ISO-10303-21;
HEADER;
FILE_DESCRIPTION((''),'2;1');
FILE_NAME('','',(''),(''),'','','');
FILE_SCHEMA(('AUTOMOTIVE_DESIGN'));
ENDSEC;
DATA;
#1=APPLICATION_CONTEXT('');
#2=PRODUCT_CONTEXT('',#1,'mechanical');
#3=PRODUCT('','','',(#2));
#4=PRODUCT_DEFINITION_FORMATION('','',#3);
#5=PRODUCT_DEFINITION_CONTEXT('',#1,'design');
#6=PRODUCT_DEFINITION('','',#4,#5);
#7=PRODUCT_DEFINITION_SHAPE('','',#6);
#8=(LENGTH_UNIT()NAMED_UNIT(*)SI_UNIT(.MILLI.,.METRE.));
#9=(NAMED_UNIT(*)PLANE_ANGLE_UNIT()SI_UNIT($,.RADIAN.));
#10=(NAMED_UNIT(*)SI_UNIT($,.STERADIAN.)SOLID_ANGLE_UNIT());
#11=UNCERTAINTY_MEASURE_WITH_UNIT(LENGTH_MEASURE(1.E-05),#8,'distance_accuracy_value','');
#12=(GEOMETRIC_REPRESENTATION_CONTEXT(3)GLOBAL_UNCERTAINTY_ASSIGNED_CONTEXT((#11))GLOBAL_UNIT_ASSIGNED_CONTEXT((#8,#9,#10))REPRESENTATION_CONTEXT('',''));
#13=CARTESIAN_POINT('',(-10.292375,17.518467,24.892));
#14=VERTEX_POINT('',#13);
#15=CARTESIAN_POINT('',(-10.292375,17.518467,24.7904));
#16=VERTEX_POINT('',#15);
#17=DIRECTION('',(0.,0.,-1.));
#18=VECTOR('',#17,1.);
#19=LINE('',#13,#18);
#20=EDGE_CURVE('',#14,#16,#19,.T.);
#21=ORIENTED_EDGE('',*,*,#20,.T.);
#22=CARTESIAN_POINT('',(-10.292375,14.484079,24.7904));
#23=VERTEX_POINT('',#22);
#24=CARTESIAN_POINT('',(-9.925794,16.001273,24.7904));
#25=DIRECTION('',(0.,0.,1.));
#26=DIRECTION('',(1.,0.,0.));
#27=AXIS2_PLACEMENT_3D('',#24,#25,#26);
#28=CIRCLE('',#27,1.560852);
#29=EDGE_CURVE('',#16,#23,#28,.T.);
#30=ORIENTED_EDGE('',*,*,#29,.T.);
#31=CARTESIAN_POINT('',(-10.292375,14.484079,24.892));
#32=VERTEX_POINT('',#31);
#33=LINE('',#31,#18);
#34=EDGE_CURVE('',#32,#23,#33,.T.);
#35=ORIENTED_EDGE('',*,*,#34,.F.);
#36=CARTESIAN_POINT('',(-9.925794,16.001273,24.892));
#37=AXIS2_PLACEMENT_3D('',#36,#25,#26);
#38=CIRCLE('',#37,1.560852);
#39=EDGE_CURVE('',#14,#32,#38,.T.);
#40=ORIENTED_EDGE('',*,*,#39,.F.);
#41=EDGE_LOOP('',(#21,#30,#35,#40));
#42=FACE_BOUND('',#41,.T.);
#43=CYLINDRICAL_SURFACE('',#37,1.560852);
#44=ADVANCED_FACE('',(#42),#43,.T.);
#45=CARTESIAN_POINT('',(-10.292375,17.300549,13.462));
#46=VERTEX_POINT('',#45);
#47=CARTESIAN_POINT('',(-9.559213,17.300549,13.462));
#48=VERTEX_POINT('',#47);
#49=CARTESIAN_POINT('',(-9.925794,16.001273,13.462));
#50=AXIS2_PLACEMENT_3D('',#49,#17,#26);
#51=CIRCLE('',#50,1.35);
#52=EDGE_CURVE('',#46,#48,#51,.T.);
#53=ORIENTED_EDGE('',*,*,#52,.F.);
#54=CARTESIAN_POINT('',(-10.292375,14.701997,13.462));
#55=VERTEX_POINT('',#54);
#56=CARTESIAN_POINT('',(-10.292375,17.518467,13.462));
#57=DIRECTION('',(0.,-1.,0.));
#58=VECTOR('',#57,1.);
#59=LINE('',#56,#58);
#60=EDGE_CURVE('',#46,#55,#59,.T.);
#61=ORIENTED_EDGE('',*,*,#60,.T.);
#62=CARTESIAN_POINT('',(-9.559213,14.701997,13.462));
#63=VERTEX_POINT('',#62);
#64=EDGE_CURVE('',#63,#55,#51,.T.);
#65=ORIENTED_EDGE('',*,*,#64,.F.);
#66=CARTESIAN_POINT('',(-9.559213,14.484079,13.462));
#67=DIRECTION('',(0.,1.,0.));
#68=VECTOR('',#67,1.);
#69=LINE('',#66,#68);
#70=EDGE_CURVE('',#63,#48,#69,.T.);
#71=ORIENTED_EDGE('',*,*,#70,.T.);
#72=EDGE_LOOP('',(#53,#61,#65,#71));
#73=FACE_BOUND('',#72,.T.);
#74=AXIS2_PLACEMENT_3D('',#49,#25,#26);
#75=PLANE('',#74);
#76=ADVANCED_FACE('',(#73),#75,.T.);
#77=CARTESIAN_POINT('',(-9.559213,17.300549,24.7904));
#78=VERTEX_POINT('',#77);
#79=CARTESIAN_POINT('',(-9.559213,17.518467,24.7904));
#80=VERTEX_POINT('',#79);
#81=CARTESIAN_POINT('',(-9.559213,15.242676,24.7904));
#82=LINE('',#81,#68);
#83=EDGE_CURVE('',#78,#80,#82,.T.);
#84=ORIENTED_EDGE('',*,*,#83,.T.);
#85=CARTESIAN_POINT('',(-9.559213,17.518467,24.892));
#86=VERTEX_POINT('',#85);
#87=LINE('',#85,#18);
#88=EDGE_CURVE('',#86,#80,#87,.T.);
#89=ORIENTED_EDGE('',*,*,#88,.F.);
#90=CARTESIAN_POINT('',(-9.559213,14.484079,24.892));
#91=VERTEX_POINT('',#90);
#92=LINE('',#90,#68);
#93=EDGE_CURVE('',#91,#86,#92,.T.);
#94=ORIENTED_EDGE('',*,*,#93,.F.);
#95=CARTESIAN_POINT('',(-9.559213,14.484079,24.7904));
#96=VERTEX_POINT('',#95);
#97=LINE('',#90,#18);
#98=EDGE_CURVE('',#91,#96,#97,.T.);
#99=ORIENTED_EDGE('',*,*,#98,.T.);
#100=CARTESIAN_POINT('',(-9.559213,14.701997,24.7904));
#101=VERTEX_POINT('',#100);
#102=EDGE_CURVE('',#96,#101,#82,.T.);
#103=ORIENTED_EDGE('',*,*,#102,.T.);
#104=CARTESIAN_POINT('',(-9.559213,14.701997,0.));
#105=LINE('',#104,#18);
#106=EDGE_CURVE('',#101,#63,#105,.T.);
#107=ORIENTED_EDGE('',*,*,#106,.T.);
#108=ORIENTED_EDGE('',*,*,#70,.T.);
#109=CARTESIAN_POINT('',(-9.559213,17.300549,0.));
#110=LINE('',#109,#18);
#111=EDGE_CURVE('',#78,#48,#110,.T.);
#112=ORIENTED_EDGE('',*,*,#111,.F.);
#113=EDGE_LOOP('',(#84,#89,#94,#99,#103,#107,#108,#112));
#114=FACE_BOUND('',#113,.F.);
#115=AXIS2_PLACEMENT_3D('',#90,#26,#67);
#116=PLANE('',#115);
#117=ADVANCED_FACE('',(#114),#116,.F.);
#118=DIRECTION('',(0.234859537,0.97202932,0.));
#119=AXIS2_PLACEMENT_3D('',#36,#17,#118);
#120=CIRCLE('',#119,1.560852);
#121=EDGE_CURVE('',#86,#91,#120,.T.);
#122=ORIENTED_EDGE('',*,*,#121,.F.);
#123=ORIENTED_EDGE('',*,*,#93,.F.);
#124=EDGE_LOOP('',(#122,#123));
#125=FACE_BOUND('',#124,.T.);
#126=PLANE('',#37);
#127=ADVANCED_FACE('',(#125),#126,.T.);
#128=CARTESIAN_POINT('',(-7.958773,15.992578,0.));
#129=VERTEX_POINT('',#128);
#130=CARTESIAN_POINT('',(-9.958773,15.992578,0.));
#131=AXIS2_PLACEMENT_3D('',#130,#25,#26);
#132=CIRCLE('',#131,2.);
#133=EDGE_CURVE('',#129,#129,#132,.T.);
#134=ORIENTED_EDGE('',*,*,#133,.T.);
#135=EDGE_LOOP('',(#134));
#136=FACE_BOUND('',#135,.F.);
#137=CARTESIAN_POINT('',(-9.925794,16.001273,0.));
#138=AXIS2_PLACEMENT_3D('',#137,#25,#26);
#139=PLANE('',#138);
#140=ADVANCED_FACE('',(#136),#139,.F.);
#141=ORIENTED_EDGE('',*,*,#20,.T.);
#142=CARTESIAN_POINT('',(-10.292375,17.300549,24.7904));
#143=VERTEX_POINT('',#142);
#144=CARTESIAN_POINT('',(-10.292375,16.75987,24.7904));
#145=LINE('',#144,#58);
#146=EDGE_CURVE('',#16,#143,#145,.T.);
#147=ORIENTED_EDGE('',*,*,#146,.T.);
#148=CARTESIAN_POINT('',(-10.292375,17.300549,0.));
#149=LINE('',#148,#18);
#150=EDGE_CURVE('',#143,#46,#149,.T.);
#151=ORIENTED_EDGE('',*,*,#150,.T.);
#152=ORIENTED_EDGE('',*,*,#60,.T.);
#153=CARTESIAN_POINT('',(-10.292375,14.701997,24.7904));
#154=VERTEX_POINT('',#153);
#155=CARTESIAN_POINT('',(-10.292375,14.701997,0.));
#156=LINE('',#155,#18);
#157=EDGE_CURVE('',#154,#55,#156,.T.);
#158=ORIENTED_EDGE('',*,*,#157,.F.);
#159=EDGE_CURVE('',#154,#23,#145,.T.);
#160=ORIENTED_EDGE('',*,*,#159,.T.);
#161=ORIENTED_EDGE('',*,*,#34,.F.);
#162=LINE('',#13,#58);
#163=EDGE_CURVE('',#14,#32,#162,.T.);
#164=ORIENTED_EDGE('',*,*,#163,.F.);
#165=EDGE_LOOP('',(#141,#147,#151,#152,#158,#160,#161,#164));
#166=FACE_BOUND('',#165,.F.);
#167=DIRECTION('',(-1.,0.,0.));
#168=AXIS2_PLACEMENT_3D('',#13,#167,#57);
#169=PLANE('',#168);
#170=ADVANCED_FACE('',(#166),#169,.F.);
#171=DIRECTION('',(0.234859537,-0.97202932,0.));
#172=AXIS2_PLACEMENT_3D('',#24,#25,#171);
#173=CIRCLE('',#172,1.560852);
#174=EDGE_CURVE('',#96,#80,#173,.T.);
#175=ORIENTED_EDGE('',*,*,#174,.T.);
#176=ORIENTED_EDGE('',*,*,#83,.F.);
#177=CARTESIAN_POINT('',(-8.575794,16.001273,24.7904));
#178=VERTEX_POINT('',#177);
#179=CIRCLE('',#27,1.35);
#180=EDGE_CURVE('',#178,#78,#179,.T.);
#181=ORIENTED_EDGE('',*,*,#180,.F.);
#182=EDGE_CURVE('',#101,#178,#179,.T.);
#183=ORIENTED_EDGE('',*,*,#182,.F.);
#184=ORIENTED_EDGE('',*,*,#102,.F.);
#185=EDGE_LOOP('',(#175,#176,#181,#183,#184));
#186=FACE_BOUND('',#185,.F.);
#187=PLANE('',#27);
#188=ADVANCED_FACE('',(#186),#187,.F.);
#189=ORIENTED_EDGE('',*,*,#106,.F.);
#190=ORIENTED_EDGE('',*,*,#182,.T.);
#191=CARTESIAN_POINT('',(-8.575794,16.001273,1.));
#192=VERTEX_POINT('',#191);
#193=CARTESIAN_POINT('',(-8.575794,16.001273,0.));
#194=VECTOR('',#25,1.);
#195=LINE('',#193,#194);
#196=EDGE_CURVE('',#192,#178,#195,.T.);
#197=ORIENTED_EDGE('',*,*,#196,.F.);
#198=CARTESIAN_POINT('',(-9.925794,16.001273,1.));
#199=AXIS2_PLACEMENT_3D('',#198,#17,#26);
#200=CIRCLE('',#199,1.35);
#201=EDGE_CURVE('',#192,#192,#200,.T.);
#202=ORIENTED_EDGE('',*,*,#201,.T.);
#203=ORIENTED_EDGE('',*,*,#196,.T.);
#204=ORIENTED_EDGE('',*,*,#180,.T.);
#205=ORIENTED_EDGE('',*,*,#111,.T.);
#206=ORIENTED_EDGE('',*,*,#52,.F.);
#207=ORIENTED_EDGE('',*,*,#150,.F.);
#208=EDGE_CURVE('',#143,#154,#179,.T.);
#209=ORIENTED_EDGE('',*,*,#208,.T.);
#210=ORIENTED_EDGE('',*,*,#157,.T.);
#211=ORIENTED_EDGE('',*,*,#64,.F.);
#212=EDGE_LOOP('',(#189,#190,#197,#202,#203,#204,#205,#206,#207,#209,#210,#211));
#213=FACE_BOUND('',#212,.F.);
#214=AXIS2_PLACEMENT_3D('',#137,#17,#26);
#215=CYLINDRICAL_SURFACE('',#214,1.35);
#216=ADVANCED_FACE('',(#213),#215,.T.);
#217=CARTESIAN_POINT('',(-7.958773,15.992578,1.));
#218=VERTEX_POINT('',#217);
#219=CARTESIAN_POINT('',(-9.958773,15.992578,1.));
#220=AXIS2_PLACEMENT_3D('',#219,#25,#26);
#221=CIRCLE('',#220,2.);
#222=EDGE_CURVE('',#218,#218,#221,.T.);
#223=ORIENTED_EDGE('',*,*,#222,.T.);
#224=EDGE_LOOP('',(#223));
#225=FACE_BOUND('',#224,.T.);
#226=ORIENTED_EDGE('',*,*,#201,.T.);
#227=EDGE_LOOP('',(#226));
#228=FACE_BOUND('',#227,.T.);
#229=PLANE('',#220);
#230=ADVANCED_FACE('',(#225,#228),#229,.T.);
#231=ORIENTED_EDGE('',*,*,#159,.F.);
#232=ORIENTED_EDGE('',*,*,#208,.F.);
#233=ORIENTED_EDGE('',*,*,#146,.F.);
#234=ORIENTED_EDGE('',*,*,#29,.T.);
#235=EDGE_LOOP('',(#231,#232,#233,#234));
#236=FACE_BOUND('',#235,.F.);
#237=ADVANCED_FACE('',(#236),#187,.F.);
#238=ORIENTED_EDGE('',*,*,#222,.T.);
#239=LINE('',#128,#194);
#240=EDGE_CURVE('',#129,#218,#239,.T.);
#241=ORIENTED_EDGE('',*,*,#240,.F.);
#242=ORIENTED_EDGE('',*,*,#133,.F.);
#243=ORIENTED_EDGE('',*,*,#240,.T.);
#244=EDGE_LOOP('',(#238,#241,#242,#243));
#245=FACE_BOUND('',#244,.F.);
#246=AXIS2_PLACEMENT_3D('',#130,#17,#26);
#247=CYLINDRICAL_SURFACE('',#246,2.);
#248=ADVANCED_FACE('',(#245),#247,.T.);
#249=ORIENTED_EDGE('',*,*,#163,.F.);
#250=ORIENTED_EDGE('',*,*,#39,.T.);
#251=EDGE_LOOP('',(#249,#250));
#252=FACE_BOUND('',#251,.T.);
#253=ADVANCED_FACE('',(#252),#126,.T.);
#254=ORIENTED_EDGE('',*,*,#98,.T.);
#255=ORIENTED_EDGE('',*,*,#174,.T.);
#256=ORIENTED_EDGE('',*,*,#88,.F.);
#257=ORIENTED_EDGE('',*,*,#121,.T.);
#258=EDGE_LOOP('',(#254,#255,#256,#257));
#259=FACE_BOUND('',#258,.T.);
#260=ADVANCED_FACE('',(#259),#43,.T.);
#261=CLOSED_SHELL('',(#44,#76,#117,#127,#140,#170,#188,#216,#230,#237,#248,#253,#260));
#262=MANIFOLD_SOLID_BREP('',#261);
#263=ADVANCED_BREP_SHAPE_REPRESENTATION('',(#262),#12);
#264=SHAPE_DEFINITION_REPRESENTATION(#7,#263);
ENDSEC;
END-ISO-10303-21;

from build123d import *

# Parameters (mm, degrees)
F0_R     = 2
F1_DEPTH = 1
F2_R     = 1.35
F3_DEPTH = 24.892
F4_R     = 1.560852
F4_R_2   = 1.35
F5_DEPTH = 0.1016
F7_DEPTH = 11.43


with BuildPart() as f1:
    # F0 (on Top) → F1 (new body)
    with BuildSketch(Plane.XY):
        with Locations((-9.958773, 15.992578)):
            Circle(F0_R)
    extrude(amount=F1_DEPTH)

    # F2 (on face) → F3 (join)
    with BuildSketch(Plane.XY):
        with Locations((-9.925794, 16.001273)):
            Circle(F2_R)
    extrude(amount=F3_DEPTH)

    # F4 (on face) → F5 (join)
    with BuildSketch(Plane.XY.offset(24.892)):
        with Locations((-9.925794, 16.001273)):
            Circle(F4_R)
        with Locations((-9.925794, 16.001273)):
            Circle(F4_R_2, mode=Mode.SUBTRACT)
    extrude(amount=-F5_DEPTH)

    # F6 (on face) → F7 (cut)
    with BuildSketch(Plane.XY.offset(24.892)):
        with BuildLine():
            ThreePointArc((-10.292375, 14.484079), (-9.925794, 14.440421), (-9.559213, 14.484079))
            Line((-9.559213, 14.484079), (-9.559213, 17.518467))
            ThreePointArc((-9.559213, 17.518467), (-9.925794, 17.562125), (-10.292375, 17.518467))
            Line((-10.292375, 17.518467), (-10.292375, 14.484079))
        make_face()
    extrude(amount=-F7_DEPTH, mode=Mode.SUBTRACT)


solid = f1.part
